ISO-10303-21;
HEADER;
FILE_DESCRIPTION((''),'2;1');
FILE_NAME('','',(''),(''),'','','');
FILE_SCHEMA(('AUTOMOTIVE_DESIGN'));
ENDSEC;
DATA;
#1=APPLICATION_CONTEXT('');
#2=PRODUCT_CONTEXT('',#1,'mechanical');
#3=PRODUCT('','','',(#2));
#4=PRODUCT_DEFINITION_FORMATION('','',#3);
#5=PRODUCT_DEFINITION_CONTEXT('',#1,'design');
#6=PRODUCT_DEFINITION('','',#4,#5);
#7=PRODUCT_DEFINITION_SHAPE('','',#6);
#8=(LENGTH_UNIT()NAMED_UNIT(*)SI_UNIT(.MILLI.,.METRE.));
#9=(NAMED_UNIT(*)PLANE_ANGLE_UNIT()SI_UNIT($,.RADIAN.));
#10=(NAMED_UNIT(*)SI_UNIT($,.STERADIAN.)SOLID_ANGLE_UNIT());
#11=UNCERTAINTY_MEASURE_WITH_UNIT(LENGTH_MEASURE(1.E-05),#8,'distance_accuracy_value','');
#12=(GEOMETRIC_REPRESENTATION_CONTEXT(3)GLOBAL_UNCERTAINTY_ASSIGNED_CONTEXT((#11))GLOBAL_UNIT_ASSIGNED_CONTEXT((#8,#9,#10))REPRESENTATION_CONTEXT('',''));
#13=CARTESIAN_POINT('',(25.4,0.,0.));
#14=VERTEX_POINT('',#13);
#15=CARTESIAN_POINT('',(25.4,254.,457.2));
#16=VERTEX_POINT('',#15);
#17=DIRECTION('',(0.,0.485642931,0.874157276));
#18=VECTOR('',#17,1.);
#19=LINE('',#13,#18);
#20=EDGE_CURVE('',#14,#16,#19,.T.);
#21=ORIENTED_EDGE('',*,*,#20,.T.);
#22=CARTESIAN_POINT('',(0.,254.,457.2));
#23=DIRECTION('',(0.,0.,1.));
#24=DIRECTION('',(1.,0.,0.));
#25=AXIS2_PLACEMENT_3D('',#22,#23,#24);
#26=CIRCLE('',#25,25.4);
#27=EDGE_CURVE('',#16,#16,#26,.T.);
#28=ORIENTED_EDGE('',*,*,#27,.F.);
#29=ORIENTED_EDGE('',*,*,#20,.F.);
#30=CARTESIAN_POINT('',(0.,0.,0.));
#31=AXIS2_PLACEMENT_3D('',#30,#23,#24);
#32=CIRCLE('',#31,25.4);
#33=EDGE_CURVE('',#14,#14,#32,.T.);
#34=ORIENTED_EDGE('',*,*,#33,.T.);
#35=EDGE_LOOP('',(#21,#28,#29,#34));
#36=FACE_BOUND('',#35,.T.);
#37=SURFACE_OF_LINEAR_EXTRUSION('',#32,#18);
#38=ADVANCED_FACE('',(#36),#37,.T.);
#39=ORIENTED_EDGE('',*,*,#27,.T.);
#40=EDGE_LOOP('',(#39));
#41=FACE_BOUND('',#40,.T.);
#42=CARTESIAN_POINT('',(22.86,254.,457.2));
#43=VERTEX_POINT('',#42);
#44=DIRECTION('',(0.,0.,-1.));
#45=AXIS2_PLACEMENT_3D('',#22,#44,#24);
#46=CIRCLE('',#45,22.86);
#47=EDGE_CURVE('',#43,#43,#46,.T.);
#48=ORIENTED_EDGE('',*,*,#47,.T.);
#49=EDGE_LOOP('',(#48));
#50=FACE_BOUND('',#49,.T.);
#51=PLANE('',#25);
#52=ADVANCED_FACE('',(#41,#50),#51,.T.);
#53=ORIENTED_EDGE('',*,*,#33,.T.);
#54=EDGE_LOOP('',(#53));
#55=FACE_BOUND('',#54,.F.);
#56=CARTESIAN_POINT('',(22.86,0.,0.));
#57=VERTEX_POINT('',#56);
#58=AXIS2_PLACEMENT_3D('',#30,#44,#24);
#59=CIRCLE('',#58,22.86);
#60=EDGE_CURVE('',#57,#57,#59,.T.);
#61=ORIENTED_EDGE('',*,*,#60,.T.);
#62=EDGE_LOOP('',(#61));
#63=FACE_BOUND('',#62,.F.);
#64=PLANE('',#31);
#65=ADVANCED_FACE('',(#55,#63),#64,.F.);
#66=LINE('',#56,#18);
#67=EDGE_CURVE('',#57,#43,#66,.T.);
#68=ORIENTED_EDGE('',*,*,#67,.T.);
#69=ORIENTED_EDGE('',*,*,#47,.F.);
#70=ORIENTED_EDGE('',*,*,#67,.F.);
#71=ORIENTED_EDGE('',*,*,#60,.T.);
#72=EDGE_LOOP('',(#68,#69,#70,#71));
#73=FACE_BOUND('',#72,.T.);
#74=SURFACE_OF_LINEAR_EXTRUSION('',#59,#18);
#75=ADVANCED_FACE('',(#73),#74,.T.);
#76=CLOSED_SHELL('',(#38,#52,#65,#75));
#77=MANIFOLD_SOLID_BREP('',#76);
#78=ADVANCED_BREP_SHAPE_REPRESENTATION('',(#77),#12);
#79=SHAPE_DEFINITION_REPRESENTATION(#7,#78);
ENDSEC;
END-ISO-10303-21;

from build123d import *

# Parameters (mm, degrees)
F0_R   = 25.4
F0_R_2 = 22.86


with BuildPart() as f2:
    # F2: sweep along a path in F1
    with BuildLine(Plane.YZ) as f2_path:
        Line((0, 0), (254, 457.2))
    # F0 (on Top) → F2 (sweep)
    with BuildSketch(Plane.XY):
        Circle(F0_R)
        Circle(F0_R_2, mode=Mode.SUBTRACT)
    sweep(path=f2_path.line)


solid = f2.part
